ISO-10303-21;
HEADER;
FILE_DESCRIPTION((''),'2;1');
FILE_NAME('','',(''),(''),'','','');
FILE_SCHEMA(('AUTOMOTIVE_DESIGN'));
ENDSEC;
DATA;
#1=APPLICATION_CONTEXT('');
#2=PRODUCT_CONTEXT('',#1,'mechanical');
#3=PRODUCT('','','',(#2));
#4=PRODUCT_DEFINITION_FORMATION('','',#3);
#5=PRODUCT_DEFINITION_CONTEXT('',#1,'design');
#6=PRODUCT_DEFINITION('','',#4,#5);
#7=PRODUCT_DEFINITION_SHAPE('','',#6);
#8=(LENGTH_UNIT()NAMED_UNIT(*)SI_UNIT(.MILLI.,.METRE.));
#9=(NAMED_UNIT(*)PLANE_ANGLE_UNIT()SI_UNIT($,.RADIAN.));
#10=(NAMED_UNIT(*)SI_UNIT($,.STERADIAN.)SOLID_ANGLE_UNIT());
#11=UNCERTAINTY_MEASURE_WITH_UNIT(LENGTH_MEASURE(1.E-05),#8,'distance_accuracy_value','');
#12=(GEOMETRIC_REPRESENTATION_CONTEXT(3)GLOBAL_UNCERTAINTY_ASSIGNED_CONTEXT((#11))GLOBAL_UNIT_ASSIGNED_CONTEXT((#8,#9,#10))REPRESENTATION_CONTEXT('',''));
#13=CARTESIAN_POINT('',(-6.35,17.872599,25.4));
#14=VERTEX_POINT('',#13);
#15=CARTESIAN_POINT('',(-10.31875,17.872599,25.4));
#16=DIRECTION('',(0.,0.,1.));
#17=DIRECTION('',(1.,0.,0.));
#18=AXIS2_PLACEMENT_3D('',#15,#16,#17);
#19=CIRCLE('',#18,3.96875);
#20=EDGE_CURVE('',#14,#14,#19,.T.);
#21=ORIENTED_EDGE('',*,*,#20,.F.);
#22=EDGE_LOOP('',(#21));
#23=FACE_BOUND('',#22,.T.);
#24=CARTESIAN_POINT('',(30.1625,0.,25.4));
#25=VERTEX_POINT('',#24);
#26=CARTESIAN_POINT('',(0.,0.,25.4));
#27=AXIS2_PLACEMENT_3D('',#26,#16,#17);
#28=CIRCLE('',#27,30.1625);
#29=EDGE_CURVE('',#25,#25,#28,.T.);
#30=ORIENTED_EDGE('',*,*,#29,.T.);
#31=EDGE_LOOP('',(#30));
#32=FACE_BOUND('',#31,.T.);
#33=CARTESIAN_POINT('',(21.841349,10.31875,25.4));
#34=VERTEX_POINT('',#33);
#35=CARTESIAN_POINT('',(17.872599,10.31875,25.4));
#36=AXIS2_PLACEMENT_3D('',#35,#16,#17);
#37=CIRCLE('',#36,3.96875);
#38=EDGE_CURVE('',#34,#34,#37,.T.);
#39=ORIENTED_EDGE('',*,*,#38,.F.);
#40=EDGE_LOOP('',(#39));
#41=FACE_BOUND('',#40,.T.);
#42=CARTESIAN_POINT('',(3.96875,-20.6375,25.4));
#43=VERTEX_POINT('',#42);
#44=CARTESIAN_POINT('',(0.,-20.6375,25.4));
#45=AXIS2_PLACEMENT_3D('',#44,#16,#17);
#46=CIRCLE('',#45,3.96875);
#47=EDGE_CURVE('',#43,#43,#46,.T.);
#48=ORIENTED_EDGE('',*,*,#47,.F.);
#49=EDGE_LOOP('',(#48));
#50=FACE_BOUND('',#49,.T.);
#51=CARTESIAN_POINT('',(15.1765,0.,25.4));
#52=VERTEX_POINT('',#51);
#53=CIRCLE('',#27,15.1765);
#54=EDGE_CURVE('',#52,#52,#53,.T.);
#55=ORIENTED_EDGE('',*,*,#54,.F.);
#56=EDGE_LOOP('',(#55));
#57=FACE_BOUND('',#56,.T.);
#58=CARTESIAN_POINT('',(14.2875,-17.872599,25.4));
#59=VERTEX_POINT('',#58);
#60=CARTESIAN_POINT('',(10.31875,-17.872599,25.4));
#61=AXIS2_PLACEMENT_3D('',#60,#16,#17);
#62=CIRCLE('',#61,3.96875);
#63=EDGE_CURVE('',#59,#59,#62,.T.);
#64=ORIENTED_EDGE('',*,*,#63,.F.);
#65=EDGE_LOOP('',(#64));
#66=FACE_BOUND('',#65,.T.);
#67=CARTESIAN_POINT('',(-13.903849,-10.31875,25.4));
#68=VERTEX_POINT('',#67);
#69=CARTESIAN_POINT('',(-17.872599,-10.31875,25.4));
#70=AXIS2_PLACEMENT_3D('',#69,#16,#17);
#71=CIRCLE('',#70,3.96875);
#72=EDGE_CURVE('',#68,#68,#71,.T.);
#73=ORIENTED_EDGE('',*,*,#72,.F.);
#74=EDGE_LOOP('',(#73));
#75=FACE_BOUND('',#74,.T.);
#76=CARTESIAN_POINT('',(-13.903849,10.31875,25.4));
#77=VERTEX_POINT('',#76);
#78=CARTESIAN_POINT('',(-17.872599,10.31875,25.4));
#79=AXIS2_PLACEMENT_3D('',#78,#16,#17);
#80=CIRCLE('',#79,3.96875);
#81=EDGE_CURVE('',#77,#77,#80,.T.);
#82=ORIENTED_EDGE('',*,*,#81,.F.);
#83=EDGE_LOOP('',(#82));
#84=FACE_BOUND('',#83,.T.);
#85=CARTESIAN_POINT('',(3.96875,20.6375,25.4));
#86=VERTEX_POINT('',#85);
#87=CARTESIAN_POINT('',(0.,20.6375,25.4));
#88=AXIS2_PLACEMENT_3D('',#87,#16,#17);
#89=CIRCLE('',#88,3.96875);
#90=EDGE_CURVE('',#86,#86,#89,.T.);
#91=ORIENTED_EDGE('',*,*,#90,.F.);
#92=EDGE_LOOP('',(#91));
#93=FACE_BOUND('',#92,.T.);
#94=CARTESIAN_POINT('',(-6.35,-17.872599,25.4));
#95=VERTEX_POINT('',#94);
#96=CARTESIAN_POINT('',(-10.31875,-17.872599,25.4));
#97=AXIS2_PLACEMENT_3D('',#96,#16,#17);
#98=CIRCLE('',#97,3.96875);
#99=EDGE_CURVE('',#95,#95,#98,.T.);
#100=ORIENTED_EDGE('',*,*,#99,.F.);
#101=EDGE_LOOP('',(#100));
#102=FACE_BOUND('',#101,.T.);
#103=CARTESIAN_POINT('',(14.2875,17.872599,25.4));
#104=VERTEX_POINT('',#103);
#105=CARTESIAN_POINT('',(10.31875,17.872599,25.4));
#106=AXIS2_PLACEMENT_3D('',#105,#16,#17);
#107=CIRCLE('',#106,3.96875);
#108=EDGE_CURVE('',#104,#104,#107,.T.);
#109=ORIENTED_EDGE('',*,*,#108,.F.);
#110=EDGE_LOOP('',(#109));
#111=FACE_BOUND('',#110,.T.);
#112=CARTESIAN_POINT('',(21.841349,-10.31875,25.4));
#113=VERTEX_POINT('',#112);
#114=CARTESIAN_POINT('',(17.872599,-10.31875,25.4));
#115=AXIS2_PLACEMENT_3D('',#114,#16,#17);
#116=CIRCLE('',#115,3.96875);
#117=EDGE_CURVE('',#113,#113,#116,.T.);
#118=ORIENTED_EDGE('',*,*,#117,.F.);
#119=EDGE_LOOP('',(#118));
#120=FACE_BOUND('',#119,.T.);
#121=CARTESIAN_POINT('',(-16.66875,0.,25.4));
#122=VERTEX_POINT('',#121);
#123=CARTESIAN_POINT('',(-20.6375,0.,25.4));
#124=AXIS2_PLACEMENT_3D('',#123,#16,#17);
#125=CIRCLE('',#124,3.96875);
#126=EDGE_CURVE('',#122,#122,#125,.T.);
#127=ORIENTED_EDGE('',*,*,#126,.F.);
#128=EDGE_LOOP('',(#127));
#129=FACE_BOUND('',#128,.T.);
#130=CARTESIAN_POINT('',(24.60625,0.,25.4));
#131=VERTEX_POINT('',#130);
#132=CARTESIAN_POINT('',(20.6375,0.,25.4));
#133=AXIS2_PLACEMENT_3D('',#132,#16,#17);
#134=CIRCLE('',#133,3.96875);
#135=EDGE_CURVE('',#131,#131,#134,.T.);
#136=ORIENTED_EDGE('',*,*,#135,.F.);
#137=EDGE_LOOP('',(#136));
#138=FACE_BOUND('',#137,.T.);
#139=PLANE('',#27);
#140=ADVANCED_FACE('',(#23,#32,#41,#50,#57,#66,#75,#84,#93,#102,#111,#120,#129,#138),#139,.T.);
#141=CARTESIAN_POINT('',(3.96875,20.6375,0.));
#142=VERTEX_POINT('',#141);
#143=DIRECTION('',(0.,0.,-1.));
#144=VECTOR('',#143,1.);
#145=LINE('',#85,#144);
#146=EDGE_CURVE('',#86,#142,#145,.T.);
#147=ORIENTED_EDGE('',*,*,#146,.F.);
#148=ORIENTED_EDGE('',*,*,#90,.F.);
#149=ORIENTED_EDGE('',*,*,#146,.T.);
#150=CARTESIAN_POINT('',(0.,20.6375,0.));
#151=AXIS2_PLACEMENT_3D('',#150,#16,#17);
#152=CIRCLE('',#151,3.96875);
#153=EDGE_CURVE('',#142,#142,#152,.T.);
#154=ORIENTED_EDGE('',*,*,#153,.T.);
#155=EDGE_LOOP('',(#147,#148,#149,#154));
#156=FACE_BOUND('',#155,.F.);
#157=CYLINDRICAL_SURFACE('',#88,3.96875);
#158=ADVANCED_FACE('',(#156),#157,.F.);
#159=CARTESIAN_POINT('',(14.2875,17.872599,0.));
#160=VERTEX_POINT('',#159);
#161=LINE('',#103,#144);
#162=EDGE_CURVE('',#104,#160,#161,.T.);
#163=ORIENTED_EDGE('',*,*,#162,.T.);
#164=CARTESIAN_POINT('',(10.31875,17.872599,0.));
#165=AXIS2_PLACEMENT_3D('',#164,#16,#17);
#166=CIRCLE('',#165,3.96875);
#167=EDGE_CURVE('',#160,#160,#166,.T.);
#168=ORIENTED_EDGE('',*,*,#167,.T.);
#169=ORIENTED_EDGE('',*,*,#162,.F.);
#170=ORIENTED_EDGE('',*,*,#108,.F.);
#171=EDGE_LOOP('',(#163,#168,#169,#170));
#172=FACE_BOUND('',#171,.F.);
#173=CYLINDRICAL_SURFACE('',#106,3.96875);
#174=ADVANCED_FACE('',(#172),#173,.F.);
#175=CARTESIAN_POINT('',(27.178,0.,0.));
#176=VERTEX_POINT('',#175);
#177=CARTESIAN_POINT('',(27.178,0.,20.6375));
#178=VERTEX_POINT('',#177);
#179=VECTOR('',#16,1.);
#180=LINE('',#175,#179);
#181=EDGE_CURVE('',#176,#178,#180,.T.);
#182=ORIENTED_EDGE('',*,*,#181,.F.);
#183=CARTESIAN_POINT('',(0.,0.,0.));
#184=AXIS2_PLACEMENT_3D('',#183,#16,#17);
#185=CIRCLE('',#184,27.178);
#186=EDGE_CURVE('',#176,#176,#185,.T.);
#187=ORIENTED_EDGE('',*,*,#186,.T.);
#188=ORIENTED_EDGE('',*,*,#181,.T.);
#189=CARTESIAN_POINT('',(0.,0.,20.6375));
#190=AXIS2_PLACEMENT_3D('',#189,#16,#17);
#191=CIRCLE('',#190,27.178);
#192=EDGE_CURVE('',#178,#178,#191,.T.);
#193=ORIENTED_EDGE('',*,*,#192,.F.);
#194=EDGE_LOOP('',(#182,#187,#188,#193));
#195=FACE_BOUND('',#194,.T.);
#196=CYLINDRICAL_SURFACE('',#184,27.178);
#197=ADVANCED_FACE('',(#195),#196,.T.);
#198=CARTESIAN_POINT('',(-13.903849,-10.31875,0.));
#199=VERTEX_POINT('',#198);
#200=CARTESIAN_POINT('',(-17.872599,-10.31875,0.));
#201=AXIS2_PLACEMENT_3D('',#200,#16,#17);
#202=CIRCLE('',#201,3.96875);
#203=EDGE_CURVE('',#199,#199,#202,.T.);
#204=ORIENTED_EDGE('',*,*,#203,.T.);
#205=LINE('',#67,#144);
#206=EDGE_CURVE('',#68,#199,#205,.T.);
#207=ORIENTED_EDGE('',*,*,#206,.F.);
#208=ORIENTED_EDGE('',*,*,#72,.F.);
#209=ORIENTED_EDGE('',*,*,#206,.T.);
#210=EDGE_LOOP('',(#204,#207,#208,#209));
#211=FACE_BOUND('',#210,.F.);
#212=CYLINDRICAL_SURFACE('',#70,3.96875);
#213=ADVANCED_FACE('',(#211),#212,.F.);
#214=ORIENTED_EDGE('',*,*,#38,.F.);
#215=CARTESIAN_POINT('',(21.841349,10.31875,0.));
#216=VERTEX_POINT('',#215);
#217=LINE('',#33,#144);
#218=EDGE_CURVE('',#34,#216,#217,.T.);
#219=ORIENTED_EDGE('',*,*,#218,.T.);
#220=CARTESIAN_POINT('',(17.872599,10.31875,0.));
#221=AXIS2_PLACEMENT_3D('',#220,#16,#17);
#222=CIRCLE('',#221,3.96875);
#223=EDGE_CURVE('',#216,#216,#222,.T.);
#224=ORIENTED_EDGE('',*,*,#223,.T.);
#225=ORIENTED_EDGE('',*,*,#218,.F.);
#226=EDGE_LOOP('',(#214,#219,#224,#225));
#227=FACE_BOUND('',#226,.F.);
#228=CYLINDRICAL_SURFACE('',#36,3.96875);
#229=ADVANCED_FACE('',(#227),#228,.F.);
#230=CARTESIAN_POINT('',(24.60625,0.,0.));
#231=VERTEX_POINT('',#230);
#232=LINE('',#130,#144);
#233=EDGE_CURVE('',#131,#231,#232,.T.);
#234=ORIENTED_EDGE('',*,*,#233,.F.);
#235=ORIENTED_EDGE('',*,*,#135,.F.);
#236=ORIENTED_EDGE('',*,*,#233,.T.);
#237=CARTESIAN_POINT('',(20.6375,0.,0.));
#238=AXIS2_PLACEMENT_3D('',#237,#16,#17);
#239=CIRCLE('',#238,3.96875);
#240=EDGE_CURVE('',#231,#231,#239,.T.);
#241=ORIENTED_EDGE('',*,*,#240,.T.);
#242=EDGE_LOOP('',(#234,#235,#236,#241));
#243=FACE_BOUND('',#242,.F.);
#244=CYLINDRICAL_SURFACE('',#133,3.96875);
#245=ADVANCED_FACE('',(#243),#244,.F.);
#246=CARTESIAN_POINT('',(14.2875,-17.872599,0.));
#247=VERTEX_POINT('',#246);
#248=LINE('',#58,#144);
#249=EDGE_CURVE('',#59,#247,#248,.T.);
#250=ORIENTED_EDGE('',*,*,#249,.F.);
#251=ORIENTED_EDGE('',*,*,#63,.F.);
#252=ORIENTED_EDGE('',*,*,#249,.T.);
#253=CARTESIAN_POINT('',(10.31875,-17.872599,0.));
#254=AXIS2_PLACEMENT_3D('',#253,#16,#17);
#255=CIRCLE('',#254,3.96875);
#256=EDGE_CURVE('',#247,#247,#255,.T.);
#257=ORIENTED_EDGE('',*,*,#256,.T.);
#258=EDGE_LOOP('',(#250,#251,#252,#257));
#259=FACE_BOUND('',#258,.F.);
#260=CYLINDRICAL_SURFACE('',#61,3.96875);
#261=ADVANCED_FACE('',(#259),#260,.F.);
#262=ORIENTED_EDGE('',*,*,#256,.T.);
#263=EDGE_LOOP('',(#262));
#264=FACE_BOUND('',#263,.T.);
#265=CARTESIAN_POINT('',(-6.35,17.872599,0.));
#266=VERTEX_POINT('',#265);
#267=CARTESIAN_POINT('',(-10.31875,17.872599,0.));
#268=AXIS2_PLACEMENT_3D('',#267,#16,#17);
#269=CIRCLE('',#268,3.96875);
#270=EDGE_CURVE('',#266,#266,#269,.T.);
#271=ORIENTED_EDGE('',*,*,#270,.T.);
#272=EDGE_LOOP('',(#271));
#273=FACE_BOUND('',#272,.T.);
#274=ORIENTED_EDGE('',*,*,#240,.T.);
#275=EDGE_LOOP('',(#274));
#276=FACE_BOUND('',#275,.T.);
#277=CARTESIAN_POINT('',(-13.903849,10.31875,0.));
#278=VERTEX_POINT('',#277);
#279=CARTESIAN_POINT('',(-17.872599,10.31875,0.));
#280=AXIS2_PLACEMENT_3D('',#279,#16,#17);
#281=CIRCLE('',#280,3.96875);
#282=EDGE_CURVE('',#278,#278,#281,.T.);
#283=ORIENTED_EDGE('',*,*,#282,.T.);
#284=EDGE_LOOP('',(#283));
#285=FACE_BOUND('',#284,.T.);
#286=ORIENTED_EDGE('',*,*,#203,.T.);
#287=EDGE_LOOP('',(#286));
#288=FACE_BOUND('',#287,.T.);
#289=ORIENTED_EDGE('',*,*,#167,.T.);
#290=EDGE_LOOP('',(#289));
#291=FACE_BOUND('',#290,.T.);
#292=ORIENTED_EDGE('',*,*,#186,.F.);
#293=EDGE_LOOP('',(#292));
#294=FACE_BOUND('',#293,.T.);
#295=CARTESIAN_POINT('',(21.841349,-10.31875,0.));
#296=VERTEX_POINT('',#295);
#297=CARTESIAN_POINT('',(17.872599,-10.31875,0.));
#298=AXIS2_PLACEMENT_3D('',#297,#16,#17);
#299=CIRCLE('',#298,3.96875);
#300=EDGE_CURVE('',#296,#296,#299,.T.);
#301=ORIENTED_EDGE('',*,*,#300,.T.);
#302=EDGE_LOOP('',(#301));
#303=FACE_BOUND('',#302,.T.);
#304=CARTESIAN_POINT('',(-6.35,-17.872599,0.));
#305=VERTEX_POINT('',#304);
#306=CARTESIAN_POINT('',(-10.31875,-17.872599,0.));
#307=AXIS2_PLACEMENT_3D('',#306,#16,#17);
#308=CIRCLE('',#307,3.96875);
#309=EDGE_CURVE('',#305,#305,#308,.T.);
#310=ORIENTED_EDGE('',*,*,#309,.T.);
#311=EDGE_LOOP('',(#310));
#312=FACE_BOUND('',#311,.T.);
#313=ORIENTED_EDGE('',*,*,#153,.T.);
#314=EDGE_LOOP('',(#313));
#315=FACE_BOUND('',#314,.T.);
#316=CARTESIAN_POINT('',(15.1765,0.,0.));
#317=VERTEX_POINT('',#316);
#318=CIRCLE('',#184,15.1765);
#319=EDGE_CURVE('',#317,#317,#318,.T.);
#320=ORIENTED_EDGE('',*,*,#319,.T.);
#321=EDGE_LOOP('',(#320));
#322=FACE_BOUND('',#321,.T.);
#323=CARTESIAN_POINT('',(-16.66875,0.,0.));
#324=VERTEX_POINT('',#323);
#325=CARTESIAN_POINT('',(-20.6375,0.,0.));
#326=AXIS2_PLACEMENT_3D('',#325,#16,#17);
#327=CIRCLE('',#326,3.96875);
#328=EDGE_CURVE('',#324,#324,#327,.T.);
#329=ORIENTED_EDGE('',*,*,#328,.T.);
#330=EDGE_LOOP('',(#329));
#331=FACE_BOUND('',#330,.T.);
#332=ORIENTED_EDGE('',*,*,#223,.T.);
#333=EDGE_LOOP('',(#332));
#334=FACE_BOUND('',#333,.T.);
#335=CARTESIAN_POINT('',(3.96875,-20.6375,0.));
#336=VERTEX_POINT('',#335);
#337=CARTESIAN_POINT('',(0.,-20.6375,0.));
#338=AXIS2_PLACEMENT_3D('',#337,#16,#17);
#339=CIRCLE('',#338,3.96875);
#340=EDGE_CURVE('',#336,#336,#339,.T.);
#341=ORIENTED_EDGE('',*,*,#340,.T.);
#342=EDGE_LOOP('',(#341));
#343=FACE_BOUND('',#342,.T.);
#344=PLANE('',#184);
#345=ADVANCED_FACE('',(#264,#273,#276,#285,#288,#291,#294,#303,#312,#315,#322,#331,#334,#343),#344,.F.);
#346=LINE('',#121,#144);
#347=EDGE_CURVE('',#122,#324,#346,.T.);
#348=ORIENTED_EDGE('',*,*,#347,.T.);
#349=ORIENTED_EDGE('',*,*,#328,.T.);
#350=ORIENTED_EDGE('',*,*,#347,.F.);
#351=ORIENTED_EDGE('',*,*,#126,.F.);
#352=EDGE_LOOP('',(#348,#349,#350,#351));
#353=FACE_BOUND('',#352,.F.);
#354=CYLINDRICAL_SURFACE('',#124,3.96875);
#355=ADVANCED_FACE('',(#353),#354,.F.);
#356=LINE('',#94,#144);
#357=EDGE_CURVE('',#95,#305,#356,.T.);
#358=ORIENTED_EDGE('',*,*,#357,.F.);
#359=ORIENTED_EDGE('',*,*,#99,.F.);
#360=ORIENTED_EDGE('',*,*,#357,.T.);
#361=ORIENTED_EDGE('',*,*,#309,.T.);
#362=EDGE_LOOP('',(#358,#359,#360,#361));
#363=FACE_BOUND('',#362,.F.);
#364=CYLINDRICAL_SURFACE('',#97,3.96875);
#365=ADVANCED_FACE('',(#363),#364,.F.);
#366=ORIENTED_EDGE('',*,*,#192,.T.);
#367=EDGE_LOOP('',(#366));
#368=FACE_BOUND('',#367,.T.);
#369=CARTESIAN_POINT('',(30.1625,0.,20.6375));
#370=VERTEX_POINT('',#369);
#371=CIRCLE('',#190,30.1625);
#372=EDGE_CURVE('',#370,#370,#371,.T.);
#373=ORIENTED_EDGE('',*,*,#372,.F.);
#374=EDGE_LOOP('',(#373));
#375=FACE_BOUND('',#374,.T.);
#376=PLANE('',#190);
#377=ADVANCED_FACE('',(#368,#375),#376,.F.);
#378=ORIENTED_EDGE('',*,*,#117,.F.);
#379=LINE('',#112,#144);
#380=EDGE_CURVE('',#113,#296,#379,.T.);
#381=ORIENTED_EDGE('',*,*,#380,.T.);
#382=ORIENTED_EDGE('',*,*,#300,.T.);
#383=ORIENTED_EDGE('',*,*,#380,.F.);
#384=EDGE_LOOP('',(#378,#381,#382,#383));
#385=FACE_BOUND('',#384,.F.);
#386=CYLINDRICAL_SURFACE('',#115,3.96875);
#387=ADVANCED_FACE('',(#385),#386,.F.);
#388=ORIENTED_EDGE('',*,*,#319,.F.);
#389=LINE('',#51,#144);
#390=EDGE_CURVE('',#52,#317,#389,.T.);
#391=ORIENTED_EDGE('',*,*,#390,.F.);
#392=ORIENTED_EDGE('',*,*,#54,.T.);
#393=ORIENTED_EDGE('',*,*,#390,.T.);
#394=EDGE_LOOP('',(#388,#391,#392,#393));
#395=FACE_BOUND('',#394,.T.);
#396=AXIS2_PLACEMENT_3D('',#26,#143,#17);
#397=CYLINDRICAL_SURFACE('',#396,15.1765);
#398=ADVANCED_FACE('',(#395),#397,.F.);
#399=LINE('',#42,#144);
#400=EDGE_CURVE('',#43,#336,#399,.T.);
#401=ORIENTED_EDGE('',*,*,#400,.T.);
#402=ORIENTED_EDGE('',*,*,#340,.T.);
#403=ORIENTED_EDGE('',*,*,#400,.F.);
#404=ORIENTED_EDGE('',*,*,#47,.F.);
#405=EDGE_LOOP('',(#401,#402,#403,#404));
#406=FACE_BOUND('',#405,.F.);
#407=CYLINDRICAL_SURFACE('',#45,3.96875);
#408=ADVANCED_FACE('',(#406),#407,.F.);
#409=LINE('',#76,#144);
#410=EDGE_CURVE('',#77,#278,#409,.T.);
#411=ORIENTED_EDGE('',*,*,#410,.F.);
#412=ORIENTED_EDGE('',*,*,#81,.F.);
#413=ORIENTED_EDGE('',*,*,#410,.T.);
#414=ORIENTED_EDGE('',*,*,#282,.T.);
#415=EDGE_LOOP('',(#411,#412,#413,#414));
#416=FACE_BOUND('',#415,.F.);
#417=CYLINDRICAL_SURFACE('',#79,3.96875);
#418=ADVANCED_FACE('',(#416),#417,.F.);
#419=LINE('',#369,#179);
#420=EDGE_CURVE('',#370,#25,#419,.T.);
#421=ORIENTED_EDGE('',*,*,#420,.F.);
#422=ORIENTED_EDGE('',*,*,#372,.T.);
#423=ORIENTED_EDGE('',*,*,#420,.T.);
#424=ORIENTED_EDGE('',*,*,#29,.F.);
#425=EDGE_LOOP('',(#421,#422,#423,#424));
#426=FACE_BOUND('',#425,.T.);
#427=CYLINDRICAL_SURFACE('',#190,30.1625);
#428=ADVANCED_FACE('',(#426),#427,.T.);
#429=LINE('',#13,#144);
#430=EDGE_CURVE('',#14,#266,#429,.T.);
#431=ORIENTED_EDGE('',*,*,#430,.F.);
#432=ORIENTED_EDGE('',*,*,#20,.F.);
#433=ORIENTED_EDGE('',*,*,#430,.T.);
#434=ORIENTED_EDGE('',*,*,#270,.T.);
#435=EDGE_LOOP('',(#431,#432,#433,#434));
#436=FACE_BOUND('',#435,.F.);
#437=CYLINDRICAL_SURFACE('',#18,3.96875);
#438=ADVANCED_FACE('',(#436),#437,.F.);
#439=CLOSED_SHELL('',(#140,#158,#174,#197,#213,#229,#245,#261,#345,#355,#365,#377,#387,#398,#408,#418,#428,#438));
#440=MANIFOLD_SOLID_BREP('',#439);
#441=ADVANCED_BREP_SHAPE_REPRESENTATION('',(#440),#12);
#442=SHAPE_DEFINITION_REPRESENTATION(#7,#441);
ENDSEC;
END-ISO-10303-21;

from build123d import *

# Parameters (mm, degrees)
F2_R     = 3.96875
F3_DEPTH = 25.401


with BuildPart() as f1:
    # F0 (on Front) → F1 (revolve)
    with BuildSketch(Plane.XZ):
        Polygon((15.1765, 25.4), (15.1765, 0), (27.178, 0), (27.178, 20.6375), (30.1625, 20.6375), (30.1625, 25.4), align=None)
    revolve(axis=Axis((0, 0, 2.135532), (0, 0, 1)))

    # F2 (on face) → F3 (cut, through all)
    with BuildSketch(Plane.XY.offset(25.4)):
        with Locations((0, -20.6375)):
            Circle(F2_R)
        with Locations((10.31875, 17.872599)):
            Circle(F2_R)
        with Locations((17.872599, 10.31875)):
            Circle(F2_R)
        with Locations((20.6375, 0)):
            Circle(F2_R)
        with Locations((17.872599, -10.31875)):
            Circle(F2_R)
        with Locations((10.31875, -17.872599)):
            Circle(F2_R)
        with Locations((-10.31875, -17.872599)):
            Circle(F2_R)
        with Locations((-17.872599, -10.31875)):
            Circle(F2_R)
        with Locations((-20.6375, 0)):
            Circle(F2_R)
        with Locations((-17.872599, 10.31875)):
            Circle(F2_R)
        with Locations((-10.31875, 17.872599)):
            Circle(F2_R)
        with Locations((0, 20.6375)):
            Circle(F2_R)
    extrude(amount=-F3_DEPTH, mode=Mode.SUBTRACT)


solid = f1.part
